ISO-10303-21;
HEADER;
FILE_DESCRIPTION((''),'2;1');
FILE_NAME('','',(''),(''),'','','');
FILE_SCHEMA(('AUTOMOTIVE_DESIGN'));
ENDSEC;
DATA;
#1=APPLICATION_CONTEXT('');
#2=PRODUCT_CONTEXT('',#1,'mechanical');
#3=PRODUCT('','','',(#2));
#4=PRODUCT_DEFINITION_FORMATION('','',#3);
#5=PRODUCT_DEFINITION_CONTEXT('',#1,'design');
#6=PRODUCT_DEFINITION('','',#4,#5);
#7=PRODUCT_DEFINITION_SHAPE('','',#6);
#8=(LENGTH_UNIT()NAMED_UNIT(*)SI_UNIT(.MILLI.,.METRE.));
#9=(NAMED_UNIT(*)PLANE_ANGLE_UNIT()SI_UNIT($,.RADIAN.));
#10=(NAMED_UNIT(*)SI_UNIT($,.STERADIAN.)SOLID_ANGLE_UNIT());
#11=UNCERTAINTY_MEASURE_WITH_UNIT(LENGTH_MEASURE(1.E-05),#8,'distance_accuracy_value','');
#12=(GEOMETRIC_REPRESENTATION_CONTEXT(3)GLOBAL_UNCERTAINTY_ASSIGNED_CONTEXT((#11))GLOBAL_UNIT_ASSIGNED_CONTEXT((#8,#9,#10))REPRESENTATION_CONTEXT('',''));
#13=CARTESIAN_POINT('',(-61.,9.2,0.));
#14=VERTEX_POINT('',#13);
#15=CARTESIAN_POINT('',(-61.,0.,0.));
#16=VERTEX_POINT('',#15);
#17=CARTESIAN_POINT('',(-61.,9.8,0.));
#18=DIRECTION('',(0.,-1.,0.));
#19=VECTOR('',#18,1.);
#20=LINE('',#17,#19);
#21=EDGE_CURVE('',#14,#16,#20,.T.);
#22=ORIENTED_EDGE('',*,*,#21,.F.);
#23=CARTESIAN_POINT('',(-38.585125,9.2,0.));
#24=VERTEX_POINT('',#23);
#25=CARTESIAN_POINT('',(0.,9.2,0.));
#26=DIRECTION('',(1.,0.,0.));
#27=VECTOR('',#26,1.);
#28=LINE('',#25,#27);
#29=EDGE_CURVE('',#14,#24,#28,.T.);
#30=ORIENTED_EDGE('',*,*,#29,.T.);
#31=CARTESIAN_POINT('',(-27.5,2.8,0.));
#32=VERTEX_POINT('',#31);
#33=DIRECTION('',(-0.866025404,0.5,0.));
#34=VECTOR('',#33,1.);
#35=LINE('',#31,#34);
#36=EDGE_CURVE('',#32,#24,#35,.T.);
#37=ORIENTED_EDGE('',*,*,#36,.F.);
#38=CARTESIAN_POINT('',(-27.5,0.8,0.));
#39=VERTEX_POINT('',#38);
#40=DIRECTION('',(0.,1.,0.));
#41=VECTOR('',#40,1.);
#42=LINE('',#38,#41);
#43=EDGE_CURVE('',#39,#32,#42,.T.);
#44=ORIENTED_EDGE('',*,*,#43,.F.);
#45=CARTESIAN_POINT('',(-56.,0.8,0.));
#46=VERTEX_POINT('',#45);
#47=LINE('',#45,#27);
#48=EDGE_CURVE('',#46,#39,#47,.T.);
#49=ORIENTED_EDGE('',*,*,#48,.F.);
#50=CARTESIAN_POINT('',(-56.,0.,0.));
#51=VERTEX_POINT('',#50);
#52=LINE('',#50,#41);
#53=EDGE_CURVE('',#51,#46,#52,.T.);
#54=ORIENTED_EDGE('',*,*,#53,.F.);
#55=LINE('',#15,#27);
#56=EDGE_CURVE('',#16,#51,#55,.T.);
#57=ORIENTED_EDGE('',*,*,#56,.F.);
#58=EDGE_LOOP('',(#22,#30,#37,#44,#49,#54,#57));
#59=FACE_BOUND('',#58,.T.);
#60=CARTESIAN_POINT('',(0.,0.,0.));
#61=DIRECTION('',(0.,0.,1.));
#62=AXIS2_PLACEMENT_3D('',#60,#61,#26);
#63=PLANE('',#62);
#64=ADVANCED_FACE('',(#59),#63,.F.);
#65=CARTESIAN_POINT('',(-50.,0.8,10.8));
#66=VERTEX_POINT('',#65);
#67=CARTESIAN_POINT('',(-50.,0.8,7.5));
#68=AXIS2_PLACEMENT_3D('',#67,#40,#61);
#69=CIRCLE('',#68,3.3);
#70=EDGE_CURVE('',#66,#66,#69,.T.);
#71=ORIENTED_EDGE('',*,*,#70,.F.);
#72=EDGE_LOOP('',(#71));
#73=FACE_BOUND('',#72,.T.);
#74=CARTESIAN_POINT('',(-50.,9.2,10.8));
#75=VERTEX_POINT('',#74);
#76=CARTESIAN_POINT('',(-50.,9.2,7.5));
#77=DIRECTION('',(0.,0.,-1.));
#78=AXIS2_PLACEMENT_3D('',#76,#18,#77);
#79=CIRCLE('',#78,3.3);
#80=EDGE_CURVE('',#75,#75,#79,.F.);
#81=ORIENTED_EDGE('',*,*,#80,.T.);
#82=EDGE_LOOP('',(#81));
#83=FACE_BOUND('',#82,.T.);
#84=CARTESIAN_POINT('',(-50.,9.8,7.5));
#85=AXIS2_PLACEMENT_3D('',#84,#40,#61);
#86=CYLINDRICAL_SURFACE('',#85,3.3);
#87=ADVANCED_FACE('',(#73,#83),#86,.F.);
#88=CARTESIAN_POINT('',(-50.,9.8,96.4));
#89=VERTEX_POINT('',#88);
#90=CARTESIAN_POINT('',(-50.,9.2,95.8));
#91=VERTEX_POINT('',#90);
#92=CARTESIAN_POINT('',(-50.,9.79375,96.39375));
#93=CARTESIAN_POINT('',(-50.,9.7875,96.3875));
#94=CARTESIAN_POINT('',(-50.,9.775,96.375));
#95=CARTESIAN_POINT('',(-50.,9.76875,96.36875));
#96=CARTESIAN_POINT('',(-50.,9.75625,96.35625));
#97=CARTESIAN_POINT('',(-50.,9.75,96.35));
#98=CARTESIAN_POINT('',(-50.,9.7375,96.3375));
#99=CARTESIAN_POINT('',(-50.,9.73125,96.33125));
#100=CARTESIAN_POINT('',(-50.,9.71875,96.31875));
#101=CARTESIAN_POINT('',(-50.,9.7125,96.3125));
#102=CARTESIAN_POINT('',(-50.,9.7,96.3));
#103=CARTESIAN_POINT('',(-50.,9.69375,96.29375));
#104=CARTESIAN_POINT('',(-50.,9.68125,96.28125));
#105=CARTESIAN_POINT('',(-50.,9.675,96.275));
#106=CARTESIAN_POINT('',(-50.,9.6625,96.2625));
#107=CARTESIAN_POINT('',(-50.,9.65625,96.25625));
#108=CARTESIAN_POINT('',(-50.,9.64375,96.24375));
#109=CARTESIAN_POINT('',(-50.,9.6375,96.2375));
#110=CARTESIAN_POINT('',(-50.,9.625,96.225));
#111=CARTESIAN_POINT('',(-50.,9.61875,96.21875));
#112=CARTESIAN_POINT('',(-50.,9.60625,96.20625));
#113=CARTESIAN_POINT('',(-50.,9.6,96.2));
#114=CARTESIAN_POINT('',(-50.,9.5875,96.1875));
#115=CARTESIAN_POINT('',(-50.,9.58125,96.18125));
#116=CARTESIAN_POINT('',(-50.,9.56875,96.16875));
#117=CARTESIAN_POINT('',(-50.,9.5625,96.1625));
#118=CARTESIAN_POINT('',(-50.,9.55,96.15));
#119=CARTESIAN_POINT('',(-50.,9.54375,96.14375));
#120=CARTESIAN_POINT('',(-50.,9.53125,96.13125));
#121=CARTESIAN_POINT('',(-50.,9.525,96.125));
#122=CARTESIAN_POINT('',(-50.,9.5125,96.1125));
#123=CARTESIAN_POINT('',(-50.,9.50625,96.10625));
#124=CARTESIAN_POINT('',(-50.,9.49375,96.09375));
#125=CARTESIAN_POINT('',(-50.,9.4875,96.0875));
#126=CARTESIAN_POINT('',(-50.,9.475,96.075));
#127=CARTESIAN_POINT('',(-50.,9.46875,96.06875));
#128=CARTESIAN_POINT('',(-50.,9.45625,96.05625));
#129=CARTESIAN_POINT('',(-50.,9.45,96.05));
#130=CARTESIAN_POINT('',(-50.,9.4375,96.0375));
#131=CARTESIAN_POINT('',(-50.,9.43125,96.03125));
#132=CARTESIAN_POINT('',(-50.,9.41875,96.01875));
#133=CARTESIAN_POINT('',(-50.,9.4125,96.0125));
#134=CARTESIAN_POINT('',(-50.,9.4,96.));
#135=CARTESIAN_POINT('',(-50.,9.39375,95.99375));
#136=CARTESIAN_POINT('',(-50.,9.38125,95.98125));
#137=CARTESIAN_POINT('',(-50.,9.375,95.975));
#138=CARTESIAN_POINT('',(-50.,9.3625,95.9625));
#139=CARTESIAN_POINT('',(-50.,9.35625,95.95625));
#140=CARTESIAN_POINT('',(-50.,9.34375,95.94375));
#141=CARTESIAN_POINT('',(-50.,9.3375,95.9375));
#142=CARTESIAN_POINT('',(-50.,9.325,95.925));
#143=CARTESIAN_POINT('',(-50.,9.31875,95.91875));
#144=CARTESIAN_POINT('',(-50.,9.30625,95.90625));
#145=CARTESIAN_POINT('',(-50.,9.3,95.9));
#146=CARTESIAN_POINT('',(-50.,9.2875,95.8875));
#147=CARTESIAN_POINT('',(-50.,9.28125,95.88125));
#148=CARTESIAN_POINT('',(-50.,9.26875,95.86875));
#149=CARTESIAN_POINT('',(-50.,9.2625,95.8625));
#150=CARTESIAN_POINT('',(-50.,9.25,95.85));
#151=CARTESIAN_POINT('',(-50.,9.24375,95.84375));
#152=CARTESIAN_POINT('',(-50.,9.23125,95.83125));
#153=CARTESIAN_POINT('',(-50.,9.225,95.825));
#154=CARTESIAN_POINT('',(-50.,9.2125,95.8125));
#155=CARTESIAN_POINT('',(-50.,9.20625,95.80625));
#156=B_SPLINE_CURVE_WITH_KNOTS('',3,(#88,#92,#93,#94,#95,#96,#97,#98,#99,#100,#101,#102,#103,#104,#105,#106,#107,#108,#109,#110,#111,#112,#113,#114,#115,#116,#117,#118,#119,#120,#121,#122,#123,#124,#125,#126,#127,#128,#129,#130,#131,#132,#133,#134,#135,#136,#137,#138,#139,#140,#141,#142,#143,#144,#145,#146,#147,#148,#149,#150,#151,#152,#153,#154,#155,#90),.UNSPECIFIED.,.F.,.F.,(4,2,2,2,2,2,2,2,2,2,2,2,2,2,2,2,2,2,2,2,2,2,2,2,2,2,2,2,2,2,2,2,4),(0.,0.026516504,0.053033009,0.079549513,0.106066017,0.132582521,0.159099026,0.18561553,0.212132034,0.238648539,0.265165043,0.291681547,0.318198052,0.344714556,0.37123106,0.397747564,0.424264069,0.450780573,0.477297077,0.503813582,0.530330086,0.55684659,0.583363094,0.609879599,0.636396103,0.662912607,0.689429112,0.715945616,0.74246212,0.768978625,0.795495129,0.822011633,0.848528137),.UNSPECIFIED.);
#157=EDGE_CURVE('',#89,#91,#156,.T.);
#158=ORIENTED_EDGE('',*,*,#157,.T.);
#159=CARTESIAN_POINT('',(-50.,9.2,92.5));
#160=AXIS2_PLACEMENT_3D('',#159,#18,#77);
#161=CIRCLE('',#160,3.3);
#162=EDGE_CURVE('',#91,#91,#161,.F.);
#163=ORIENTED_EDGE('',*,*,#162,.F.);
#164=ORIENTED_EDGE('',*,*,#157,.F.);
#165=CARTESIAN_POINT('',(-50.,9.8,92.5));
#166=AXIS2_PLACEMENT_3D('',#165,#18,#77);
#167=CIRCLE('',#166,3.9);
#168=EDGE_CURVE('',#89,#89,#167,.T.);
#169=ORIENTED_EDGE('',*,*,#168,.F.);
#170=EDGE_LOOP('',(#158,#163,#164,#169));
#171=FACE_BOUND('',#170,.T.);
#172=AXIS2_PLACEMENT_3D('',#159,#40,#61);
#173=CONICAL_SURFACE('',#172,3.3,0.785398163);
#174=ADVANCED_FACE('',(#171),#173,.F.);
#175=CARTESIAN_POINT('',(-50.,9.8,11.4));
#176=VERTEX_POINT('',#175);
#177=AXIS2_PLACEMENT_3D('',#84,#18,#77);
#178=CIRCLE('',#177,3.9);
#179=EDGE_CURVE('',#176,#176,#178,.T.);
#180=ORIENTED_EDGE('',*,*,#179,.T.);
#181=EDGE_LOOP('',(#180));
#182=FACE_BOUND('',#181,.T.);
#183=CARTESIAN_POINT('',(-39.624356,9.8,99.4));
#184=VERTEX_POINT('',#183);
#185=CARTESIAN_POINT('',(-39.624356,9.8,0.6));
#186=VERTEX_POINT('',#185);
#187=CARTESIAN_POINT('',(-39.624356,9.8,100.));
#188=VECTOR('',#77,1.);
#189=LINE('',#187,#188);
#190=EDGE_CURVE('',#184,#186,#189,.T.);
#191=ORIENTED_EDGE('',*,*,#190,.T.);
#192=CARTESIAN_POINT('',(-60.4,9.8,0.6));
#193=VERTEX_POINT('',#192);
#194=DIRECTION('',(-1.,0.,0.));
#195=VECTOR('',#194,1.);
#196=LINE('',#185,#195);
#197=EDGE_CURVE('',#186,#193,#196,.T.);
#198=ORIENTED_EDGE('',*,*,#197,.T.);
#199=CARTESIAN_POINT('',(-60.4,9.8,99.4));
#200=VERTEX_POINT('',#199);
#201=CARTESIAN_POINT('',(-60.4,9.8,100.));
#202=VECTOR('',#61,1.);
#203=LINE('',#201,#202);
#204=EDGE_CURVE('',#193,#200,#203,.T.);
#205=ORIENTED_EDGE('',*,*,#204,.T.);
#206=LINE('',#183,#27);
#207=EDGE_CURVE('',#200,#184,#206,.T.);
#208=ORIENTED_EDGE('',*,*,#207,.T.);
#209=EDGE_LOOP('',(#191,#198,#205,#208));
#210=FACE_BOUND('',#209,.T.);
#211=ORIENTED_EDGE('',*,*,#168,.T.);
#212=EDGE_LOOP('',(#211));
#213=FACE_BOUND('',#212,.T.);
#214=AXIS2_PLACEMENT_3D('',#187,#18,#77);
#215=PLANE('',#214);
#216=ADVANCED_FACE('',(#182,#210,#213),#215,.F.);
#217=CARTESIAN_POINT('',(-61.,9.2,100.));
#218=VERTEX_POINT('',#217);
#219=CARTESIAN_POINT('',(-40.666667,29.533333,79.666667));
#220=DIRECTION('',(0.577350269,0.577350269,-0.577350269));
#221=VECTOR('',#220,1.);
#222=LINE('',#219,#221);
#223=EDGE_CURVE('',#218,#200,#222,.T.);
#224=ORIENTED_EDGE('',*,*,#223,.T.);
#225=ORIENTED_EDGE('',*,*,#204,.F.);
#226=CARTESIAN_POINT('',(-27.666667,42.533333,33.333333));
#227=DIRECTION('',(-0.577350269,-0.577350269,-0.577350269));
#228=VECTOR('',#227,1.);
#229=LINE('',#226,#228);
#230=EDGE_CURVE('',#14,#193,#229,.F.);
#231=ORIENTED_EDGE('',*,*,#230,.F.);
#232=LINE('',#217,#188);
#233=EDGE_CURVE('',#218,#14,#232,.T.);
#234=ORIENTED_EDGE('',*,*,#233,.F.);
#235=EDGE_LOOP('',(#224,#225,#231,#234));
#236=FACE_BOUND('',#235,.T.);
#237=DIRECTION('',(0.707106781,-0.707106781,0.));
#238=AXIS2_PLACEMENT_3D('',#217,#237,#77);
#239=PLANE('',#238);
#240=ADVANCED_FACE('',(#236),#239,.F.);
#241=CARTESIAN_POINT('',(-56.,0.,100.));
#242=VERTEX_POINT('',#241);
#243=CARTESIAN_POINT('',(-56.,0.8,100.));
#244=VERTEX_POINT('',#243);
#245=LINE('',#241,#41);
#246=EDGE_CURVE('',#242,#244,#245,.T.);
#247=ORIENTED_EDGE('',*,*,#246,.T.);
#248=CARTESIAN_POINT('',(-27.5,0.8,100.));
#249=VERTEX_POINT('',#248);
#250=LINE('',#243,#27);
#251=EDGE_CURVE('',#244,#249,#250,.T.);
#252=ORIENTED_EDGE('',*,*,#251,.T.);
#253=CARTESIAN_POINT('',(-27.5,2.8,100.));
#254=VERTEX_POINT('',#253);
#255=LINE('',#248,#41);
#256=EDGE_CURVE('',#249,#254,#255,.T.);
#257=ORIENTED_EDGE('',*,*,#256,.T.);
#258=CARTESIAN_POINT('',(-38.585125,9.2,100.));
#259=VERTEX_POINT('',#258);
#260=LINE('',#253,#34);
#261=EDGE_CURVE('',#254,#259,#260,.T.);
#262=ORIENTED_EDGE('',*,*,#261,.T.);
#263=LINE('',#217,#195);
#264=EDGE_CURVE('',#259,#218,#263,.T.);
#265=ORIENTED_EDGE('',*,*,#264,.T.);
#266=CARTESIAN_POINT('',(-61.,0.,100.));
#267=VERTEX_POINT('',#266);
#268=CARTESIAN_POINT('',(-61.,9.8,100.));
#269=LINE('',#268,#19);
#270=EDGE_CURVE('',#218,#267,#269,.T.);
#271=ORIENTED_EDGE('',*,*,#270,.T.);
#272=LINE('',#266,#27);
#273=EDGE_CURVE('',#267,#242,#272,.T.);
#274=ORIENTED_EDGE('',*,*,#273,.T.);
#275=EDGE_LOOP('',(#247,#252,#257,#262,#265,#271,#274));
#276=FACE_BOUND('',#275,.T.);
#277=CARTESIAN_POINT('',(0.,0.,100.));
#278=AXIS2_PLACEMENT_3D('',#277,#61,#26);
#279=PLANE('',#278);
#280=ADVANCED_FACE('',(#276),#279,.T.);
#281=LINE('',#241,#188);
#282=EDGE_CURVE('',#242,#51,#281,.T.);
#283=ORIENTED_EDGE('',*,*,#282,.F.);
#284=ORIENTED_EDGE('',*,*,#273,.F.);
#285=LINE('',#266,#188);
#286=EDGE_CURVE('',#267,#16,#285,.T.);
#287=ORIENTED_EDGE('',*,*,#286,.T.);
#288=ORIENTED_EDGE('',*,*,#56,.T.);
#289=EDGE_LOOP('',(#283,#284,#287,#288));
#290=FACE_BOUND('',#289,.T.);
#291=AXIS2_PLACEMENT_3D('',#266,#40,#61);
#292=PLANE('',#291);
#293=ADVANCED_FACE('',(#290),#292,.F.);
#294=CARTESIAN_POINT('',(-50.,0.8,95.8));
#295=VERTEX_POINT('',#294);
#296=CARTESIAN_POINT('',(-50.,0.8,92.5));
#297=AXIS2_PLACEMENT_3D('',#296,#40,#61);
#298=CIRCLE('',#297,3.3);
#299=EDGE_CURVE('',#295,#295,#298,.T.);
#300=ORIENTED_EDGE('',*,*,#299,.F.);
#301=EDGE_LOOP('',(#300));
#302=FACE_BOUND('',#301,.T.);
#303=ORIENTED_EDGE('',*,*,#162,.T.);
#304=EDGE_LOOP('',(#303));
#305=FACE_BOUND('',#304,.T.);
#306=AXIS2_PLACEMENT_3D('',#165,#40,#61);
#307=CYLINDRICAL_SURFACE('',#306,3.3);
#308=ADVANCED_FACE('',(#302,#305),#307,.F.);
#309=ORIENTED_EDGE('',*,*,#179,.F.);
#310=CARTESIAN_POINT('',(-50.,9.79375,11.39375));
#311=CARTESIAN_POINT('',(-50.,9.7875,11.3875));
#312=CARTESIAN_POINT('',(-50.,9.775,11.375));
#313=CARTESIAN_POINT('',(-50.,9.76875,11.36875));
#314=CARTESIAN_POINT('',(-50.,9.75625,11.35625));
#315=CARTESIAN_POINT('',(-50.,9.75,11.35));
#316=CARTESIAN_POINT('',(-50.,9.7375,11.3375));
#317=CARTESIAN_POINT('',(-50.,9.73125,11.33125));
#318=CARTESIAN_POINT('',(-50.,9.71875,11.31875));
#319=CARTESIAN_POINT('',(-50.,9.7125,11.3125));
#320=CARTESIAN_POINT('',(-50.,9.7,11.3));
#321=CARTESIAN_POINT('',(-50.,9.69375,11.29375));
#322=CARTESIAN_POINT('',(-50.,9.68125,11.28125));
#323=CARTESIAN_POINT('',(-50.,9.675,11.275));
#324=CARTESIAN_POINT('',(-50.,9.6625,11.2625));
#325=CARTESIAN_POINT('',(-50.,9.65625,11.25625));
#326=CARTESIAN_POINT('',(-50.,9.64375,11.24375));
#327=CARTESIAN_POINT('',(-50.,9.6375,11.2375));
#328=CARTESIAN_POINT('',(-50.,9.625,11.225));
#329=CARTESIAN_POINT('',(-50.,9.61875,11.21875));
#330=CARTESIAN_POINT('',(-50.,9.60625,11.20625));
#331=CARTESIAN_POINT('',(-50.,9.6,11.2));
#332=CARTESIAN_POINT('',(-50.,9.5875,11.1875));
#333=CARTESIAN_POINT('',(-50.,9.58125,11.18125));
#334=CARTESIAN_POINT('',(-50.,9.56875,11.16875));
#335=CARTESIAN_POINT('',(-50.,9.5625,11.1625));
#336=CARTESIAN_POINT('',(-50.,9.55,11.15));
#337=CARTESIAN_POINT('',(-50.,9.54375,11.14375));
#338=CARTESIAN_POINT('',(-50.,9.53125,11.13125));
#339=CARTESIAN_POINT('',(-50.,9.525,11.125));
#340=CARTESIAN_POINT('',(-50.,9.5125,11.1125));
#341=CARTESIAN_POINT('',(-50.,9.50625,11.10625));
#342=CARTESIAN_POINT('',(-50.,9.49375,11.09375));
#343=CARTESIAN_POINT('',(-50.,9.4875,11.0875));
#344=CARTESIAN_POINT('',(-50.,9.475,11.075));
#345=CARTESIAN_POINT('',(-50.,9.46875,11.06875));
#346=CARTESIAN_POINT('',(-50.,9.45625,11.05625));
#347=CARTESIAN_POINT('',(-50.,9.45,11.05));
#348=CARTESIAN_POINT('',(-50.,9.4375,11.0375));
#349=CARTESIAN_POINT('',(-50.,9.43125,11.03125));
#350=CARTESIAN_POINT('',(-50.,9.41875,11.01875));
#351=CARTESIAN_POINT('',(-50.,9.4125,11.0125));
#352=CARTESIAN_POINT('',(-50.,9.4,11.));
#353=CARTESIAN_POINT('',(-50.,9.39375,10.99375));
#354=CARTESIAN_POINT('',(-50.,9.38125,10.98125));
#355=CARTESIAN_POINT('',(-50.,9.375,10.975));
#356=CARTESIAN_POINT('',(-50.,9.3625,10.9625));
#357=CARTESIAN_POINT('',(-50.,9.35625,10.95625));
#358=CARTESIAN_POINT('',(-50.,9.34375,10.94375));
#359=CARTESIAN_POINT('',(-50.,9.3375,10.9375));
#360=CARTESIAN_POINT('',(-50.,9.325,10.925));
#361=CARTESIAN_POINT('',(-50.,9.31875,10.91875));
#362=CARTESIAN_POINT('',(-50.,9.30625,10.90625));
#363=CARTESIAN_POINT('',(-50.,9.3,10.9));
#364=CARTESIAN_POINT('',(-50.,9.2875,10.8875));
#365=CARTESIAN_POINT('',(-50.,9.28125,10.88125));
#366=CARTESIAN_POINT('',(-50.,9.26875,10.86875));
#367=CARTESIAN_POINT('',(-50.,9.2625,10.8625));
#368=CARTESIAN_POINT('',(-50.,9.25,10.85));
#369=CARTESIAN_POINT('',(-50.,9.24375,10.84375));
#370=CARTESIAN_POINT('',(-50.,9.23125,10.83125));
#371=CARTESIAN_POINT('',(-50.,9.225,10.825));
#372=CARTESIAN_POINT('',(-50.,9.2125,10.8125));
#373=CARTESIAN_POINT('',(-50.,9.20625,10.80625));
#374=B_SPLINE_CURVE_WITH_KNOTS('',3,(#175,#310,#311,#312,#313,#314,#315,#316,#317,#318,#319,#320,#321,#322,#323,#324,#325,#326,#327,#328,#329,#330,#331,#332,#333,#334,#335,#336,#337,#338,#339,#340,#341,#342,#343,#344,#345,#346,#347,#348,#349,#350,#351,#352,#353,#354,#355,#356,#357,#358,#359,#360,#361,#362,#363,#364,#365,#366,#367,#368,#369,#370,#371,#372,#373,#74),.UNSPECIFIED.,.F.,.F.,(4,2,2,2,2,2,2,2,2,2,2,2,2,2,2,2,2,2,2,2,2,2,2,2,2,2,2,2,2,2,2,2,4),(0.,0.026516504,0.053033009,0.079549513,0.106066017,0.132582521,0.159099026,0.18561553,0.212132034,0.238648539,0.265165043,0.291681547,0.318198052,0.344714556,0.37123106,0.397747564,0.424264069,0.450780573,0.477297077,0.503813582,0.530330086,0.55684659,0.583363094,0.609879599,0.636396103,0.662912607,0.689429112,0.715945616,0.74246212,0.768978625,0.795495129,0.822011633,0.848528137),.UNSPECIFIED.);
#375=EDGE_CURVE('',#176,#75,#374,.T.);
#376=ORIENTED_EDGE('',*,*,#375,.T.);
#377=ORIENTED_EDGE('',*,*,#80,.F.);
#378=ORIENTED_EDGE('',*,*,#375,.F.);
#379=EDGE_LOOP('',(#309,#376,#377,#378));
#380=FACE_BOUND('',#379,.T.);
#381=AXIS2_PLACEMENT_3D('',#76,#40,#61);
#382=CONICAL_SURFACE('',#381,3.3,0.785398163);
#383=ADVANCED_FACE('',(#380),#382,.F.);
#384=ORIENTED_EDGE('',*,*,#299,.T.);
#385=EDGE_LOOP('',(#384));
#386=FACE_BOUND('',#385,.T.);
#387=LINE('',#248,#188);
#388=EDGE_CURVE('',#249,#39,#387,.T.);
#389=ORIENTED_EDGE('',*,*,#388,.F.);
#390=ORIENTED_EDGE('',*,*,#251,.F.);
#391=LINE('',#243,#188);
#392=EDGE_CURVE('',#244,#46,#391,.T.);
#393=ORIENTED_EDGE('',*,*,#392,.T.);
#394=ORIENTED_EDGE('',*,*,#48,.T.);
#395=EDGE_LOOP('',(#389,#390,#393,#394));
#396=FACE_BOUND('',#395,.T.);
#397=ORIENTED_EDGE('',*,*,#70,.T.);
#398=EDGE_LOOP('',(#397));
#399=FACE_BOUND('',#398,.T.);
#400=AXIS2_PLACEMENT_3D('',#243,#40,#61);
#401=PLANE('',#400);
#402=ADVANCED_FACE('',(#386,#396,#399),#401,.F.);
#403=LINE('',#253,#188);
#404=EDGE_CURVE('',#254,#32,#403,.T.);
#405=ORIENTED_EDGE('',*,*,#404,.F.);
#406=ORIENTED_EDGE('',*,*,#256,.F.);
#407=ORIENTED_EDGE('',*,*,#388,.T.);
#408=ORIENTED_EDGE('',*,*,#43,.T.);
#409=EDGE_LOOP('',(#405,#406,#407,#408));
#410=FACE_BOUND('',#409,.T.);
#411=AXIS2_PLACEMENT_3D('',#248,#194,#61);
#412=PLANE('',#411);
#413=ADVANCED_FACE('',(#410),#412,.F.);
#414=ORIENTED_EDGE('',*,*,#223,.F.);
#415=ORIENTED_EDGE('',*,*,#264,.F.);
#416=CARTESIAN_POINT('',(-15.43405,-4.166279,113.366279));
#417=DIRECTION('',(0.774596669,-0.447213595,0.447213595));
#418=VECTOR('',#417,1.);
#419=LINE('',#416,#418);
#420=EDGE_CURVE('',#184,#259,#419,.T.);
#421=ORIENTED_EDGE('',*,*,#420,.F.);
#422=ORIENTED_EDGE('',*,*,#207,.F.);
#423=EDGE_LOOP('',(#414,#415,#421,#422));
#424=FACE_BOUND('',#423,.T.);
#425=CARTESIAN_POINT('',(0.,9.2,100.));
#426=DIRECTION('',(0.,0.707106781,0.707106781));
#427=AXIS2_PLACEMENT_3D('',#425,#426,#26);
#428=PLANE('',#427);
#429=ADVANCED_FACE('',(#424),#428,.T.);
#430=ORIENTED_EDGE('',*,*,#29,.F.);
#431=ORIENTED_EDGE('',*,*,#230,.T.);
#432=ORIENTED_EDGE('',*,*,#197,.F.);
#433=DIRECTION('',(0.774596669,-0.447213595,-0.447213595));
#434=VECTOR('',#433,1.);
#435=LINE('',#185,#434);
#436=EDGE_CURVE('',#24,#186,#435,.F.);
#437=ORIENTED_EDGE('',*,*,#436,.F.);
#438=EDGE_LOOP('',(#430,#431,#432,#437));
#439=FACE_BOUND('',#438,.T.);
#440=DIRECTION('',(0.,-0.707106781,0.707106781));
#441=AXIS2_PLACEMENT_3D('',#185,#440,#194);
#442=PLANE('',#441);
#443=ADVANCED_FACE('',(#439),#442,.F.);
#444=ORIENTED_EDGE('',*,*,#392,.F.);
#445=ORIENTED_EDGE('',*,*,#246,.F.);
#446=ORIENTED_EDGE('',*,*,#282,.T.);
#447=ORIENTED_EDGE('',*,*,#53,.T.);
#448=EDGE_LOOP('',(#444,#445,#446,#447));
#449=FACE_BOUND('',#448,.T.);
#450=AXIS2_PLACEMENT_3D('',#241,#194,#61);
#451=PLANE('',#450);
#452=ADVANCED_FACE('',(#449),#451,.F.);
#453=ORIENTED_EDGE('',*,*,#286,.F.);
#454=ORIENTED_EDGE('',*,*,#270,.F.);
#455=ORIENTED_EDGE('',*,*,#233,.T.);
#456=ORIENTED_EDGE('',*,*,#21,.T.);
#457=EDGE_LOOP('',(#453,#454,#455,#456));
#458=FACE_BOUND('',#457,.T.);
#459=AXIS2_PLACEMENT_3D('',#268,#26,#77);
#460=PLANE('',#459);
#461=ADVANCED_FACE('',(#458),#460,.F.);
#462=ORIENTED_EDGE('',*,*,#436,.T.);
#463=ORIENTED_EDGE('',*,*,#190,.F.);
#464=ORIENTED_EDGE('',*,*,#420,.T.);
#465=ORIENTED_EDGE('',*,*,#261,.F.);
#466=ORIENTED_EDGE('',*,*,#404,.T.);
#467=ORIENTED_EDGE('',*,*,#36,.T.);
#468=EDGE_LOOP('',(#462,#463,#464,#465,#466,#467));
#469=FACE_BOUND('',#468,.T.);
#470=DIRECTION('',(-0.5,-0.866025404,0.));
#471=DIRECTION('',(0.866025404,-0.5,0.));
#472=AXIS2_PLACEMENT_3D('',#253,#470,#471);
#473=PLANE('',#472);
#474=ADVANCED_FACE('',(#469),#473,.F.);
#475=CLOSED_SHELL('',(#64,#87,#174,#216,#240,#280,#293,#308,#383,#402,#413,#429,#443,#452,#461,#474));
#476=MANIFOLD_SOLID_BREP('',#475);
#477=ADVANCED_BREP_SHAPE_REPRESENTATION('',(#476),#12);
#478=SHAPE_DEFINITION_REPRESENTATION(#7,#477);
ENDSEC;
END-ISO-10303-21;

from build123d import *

# Parameters (mm, degrees)
BOSS_EXTRUDE1_DEPTH  = 100
M6_CLEARANCE_HOLE2_D = 6.6
CHAMFER1_SIZE        = 0.6


with BuildPart() as part:
    # Sketch1 → Boss-Extrude1 (new body)
    with BuildSketch(Plane.XY):
        Polygon((-61, 0), (-56, 0), (-56, 0.8), (-27.5, 0.8), (-27.5, 2.8), (-39.624355653, 9.8), (-61, 9.8), align=None)
    extrude(amount=BOSS_EXTRUDE1_DEPTH)

    # M6 Clearance Hole2 (through all)
    with Locations(Plane(origin=(0, 9.8, 0), x_dir=(1, 0, 0), z_dir=(0, 1, 0))):
        with Locations((-50, -92.5), (-50, -7.5)):
            Hole(M6_CLEARANCE_HOLE2_D / 2)

    # Chamfer1
    chamfer1_edges = [part.edges().sort_by_distance(p)[0] for p in [
        (-61, 9.8, 50),
        (-46.7, 9.8, 92.5),
        (-50.312177826, 9.8, 100),
        (-46.7, 9.8, 7.5),
        (-50.312177826, 9.8, 0),
    ]]
    chamfer(chamfer1_edges, length=CHAMFER1_SIZE)


solid = part.part
